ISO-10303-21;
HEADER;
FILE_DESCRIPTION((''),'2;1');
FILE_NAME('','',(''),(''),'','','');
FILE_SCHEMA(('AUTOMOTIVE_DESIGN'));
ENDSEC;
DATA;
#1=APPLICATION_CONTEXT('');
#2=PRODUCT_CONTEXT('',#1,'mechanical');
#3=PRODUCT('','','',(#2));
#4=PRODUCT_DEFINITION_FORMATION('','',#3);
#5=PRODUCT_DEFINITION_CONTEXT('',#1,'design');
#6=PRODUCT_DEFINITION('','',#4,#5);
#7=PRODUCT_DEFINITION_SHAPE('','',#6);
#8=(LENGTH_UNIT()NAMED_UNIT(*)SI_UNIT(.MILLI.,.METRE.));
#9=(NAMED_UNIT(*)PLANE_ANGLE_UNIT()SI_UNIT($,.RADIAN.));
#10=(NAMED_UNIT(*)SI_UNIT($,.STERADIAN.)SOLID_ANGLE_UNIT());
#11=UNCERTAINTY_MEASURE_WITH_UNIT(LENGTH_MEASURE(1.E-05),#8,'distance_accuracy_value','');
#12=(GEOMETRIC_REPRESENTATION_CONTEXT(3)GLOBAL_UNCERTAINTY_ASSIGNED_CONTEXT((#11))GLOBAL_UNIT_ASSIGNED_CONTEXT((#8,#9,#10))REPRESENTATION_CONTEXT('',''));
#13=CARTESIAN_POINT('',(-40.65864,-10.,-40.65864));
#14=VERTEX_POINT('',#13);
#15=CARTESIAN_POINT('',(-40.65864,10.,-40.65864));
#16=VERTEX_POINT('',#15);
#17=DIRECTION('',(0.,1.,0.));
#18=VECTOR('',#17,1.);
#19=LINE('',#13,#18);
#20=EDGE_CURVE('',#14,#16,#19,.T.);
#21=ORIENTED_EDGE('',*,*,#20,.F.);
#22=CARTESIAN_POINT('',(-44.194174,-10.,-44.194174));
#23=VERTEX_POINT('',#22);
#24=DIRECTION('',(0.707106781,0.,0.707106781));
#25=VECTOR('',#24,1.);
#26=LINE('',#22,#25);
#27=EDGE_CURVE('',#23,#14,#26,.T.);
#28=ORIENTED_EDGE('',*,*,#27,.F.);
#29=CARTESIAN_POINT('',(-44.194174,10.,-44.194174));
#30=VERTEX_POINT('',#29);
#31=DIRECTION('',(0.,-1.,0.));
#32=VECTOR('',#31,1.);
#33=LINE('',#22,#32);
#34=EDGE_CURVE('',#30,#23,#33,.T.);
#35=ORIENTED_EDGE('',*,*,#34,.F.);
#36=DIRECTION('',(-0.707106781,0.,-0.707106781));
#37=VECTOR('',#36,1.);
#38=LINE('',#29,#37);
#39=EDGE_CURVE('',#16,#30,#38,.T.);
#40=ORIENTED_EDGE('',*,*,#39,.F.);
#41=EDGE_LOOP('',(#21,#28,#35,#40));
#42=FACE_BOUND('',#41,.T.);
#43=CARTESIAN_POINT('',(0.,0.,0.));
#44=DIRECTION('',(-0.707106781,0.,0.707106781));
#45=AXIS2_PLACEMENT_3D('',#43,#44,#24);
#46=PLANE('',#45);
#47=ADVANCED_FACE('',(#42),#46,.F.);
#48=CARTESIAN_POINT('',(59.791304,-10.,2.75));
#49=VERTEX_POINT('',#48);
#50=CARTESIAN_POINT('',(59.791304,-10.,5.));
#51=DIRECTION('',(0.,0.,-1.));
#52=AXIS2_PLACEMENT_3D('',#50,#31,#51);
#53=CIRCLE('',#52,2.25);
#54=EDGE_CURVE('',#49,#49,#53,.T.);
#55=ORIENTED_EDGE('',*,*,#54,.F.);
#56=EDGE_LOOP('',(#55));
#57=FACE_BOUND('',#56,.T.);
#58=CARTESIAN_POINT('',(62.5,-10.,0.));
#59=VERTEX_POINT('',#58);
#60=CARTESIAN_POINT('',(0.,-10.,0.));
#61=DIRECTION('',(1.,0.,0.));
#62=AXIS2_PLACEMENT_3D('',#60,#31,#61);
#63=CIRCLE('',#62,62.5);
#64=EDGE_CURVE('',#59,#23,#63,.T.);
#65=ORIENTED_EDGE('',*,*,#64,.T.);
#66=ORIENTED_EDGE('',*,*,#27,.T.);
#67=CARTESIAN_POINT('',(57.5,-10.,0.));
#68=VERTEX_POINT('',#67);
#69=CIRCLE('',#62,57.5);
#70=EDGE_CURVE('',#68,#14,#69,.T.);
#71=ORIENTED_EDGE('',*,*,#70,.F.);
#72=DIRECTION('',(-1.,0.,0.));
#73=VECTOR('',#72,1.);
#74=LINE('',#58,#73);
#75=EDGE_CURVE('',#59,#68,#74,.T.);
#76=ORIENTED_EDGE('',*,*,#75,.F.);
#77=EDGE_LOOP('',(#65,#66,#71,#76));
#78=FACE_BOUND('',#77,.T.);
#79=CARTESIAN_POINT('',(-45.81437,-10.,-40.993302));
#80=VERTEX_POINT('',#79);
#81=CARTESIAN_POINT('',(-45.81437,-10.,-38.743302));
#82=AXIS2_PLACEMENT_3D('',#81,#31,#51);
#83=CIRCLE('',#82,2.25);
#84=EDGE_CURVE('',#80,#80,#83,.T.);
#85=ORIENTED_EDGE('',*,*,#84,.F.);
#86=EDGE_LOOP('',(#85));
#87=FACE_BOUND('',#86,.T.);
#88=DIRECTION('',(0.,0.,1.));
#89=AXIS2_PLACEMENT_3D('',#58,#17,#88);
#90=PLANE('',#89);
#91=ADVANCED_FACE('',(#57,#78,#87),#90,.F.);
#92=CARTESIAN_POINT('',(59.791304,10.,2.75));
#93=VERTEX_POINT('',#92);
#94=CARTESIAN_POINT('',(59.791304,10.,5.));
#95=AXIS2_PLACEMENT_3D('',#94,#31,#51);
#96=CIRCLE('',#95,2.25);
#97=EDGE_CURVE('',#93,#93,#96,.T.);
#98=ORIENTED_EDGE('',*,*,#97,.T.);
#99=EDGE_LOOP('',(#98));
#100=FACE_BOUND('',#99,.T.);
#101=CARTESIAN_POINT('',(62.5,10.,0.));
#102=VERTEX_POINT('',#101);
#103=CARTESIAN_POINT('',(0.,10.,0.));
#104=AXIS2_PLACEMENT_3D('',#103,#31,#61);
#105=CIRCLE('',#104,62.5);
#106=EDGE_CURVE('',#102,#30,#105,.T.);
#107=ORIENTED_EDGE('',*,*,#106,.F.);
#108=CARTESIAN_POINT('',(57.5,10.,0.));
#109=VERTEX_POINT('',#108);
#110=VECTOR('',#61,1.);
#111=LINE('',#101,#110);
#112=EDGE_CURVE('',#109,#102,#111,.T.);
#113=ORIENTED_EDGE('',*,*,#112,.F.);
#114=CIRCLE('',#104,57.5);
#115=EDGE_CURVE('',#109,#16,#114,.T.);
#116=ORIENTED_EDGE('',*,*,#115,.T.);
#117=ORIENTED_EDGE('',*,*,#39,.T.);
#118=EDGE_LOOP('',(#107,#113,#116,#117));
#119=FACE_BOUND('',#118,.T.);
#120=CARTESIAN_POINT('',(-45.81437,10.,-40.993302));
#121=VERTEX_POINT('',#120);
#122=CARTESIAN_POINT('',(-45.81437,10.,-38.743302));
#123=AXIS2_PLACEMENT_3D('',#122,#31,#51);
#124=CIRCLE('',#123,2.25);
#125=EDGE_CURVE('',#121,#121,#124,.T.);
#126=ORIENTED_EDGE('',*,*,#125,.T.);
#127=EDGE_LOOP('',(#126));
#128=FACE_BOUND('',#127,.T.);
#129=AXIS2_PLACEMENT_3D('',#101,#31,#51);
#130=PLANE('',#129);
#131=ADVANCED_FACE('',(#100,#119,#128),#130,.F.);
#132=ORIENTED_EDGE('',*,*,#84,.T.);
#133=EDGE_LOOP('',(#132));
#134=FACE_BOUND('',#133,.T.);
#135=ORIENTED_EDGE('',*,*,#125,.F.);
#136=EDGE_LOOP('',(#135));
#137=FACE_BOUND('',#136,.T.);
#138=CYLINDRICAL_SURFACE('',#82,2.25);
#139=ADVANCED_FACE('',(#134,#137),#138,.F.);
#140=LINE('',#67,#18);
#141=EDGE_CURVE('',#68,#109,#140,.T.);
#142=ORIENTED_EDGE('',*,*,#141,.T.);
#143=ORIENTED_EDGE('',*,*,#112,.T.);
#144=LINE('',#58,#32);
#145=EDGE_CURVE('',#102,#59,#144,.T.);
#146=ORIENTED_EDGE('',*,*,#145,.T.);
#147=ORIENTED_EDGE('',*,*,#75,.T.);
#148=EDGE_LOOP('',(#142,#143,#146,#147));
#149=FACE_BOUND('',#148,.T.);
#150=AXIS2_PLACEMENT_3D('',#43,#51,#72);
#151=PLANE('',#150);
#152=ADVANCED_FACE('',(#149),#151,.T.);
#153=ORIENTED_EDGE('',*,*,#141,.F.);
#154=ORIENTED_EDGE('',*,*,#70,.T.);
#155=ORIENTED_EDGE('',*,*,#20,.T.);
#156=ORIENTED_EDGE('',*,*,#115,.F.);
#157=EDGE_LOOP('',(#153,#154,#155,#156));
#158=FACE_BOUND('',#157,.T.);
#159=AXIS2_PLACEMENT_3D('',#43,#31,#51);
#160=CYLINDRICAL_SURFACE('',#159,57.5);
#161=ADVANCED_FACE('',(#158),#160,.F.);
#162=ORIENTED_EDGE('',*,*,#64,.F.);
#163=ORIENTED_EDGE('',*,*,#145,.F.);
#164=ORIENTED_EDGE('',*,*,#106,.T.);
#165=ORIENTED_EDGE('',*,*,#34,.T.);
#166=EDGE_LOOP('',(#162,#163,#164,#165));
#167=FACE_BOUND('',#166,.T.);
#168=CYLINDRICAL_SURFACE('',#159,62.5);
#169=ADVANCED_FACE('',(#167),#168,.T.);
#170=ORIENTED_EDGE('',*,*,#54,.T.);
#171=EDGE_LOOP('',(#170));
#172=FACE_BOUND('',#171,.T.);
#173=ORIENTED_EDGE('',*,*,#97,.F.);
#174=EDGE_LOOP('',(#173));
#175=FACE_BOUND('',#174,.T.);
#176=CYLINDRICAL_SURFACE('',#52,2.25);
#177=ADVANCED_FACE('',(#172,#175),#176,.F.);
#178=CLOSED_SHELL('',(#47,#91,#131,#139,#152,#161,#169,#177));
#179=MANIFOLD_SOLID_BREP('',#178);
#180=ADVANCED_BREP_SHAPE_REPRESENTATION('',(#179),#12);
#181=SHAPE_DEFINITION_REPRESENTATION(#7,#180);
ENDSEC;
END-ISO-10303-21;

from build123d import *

# Parameters (mm, degrees)
SKETCH2_W            = 20
SKETCH2_H            = 5
M4_CLEARANCE_HOLE1_D = 4.5


with BuildPart() as part:
    # Sweep1: sweep along a path in Sketch1
    with BuildLine(Plane(origin=(0, 0, 0), x_dir=(1, 0, 0), z_dir=(0, 1, 0))) as sweep1_path:
        ThreePointArc((-42.426406871, 42.426406871), (-22.961005942, -55.432771951), (60, 0))
    # Sketch2 → Sweep1 (sweep)
    with BuildSketch(Plane(origin=(0, 0, 0), x_dir=(0, 1, 0), z_dir=(0, 0, 1))):
        with Locations((0, 60)):
            Rectangle(SKETCH2_W, SKETCH2_H)
    sweep(path=sweep1_path.line)

    # M4 Clearance Hole1 (through all)
    with Locations(Plane(origin=(0, -10, 0), x_dir=(-1, 0, 0), z_dir=(0, -1, 0))):
        with Locations((-59.791303716, -5), (45.814370219, 38.743302407)):
            Hole(M4_CLEARANCE_HOLE1_D / 2)


solid = part.part
